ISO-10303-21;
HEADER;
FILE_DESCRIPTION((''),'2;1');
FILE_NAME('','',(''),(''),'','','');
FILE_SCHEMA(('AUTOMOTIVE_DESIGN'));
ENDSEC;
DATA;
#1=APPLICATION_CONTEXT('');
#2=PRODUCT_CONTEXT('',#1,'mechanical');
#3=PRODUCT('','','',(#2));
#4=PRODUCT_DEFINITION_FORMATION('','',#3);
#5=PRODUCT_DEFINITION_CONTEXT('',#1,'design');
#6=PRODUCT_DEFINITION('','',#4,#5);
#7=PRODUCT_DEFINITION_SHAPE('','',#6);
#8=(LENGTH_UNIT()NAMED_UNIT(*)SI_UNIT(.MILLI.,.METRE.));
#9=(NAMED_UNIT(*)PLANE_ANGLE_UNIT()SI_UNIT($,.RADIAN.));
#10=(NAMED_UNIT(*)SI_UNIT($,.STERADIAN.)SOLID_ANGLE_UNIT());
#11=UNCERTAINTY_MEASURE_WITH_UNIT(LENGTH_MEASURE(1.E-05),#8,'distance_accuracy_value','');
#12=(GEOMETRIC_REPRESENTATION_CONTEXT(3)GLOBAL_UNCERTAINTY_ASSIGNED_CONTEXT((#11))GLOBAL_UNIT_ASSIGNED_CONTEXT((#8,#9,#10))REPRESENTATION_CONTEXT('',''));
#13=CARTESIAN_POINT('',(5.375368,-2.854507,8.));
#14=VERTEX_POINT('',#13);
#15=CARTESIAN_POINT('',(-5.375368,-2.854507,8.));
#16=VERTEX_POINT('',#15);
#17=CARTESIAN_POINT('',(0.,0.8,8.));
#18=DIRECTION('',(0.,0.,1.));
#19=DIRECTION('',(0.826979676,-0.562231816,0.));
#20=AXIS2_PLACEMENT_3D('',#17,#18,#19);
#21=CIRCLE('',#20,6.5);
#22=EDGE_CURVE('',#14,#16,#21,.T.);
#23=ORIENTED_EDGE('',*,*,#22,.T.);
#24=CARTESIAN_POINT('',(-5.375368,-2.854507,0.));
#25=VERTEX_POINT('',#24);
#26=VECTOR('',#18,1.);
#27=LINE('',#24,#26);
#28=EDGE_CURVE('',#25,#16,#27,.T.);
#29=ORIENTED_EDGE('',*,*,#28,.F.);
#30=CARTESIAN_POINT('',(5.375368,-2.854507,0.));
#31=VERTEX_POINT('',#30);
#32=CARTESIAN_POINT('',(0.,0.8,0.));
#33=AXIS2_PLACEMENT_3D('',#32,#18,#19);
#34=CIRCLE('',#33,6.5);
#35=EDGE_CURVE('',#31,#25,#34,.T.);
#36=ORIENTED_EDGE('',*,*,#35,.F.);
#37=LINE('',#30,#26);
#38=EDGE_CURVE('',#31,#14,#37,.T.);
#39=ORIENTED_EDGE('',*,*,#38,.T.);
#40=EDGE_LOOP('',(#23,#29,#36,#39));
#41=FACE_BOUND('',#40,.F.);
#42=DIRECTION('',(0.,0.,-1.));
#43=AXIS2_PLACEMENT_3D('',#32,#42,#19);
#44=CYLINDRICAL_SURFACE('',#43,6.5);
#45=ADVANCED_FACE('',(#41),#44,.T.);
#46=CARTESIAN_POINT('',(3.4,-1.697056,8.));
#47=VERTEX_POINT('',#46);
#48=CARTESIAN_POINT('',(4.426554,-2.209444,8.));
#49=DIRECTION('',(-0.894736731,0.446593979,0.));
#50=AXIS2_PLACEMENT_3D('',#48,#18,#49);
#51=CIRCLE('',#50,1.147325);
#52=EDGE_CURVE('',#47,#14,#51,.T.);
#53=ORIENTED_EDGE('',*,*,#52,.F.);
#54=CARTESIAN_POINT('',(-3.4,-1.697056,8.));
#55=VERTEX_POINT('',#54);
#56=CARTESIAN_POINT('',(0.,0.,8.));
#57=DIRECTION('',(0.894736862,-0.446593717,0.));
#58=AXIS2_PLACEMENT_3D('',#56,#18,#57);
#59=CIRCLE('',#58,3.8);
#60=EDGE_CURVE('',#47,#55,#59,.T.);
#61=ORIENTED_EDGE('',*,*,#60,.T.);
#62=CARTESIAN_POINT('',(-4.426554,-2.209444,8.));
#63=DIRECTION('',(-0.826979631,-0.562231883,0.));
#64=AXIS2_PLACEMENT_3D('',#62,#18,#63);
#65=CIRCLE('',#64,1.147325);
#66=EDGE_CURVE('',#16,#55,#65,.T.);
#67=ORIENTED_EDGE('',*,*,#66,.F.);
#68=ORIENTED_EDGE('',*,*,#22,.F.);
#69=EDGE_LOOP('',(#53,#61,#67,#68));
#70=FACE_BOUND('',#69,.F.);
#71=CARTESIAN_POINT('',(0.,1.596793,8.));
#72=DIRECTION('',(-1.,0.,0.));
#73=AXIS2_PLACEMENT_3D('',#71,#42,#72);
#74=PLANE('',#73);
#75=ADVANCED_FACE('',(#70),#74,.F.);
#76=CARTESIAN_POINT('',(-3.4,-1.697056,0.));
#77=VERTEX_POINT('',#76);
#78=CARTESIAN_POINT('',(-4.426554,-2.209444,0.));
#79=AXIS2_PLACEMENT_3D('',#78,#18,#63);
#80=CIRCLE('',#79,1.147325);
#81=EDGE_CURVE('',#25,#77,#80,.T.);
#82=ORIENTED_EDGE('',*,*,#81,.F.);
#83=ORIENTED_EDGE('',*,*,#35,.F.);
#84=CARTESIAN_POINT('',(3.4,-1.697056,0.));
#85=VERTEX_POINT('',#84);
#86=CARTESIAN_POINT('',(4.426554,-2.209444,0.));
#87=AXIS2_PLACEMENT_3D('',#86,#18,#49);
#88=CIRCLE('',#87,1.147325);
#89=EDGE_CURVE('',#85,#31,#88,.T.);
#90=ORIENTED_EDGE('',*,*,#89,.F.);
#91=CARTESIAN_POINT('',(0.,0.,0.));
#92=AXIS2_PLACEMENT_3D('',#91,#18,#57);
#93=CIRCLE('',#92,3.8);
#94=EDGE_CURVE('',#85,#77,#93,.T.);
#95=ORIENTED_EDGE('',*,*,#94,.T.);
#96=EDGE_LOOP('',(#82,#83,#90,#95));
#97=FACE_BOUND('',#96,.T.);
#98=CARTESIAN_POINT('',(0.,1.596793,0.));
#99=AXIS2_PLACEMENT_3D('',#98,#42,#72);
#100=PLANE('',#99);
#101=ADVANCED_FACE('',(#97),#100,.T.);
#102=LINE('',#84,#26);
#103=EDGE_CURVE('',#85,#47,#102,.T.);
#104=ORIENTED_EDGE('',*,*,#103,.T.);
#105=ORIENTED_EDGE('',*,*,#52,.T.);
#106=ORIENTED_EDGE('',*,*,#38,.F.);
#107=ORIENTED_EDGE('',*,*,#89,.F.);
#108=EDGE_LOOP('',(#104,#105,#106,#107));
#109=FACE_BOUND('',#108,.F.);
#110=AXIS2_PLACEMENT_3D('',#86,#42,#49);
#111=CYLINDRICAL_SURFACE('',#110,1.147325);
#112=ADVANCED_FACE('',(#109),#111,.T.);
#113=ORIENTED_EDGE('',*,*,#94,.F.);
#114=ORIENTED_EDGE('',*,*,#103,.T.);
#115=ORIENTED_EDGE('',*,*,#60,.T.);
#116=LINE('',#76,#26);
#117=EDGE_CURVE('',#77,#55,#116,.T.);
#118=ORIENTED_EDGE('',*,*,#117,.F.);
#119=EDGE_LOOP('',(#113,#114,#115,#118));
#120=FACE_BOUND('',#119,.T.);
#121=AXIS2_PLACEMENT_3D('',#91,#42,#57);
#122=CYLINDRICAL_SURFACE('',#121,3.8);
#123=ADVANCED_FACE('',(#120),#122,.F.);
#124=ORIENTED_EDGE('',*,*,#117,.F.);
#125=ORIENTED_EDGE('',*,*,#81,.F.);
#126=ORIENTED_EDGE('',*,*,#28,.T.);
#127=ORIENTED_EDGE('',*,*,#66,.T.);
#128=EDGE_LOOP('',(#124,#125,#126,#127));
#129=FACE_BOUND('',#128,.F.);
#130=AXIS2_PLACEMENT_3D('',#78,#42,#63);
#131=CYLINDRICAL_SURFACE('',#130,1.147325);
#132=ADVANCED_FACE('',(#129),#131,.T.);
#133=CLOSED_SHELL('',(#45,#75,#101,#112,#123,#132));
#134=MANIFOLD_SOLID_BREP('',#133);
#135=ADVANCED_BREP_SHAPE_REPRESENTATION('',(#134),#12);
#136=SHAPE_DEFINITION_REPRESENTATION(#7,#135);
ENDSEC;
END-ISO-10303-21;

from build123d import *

# Parameters (mm, degrees)
PAD_DEPTH = 8


with BuildPart() as part:
    # Sketch → Pad (new body)
    with BuildSketch(Plane.XY):
        with BuildLine():
            ThreePointArc((3.4, -1.697056), (0, 3.8), (-3.4, -1.697056))
            ThreePointArc((-5.375368, -2.854507), (-3.846525, -3.199354), (-3.4, -1.697056))
            ThreePointArc((5.375368, -2.854507), (0, 7.3), (-5.375368, -2.854507))
            ThreePointArc((3.4, -1.697056), (3.846525, -3.199354), (5.375368, -2.854507))
        make_face()
    extrude(amount=PAD_DEPTH)


solid = part.part
